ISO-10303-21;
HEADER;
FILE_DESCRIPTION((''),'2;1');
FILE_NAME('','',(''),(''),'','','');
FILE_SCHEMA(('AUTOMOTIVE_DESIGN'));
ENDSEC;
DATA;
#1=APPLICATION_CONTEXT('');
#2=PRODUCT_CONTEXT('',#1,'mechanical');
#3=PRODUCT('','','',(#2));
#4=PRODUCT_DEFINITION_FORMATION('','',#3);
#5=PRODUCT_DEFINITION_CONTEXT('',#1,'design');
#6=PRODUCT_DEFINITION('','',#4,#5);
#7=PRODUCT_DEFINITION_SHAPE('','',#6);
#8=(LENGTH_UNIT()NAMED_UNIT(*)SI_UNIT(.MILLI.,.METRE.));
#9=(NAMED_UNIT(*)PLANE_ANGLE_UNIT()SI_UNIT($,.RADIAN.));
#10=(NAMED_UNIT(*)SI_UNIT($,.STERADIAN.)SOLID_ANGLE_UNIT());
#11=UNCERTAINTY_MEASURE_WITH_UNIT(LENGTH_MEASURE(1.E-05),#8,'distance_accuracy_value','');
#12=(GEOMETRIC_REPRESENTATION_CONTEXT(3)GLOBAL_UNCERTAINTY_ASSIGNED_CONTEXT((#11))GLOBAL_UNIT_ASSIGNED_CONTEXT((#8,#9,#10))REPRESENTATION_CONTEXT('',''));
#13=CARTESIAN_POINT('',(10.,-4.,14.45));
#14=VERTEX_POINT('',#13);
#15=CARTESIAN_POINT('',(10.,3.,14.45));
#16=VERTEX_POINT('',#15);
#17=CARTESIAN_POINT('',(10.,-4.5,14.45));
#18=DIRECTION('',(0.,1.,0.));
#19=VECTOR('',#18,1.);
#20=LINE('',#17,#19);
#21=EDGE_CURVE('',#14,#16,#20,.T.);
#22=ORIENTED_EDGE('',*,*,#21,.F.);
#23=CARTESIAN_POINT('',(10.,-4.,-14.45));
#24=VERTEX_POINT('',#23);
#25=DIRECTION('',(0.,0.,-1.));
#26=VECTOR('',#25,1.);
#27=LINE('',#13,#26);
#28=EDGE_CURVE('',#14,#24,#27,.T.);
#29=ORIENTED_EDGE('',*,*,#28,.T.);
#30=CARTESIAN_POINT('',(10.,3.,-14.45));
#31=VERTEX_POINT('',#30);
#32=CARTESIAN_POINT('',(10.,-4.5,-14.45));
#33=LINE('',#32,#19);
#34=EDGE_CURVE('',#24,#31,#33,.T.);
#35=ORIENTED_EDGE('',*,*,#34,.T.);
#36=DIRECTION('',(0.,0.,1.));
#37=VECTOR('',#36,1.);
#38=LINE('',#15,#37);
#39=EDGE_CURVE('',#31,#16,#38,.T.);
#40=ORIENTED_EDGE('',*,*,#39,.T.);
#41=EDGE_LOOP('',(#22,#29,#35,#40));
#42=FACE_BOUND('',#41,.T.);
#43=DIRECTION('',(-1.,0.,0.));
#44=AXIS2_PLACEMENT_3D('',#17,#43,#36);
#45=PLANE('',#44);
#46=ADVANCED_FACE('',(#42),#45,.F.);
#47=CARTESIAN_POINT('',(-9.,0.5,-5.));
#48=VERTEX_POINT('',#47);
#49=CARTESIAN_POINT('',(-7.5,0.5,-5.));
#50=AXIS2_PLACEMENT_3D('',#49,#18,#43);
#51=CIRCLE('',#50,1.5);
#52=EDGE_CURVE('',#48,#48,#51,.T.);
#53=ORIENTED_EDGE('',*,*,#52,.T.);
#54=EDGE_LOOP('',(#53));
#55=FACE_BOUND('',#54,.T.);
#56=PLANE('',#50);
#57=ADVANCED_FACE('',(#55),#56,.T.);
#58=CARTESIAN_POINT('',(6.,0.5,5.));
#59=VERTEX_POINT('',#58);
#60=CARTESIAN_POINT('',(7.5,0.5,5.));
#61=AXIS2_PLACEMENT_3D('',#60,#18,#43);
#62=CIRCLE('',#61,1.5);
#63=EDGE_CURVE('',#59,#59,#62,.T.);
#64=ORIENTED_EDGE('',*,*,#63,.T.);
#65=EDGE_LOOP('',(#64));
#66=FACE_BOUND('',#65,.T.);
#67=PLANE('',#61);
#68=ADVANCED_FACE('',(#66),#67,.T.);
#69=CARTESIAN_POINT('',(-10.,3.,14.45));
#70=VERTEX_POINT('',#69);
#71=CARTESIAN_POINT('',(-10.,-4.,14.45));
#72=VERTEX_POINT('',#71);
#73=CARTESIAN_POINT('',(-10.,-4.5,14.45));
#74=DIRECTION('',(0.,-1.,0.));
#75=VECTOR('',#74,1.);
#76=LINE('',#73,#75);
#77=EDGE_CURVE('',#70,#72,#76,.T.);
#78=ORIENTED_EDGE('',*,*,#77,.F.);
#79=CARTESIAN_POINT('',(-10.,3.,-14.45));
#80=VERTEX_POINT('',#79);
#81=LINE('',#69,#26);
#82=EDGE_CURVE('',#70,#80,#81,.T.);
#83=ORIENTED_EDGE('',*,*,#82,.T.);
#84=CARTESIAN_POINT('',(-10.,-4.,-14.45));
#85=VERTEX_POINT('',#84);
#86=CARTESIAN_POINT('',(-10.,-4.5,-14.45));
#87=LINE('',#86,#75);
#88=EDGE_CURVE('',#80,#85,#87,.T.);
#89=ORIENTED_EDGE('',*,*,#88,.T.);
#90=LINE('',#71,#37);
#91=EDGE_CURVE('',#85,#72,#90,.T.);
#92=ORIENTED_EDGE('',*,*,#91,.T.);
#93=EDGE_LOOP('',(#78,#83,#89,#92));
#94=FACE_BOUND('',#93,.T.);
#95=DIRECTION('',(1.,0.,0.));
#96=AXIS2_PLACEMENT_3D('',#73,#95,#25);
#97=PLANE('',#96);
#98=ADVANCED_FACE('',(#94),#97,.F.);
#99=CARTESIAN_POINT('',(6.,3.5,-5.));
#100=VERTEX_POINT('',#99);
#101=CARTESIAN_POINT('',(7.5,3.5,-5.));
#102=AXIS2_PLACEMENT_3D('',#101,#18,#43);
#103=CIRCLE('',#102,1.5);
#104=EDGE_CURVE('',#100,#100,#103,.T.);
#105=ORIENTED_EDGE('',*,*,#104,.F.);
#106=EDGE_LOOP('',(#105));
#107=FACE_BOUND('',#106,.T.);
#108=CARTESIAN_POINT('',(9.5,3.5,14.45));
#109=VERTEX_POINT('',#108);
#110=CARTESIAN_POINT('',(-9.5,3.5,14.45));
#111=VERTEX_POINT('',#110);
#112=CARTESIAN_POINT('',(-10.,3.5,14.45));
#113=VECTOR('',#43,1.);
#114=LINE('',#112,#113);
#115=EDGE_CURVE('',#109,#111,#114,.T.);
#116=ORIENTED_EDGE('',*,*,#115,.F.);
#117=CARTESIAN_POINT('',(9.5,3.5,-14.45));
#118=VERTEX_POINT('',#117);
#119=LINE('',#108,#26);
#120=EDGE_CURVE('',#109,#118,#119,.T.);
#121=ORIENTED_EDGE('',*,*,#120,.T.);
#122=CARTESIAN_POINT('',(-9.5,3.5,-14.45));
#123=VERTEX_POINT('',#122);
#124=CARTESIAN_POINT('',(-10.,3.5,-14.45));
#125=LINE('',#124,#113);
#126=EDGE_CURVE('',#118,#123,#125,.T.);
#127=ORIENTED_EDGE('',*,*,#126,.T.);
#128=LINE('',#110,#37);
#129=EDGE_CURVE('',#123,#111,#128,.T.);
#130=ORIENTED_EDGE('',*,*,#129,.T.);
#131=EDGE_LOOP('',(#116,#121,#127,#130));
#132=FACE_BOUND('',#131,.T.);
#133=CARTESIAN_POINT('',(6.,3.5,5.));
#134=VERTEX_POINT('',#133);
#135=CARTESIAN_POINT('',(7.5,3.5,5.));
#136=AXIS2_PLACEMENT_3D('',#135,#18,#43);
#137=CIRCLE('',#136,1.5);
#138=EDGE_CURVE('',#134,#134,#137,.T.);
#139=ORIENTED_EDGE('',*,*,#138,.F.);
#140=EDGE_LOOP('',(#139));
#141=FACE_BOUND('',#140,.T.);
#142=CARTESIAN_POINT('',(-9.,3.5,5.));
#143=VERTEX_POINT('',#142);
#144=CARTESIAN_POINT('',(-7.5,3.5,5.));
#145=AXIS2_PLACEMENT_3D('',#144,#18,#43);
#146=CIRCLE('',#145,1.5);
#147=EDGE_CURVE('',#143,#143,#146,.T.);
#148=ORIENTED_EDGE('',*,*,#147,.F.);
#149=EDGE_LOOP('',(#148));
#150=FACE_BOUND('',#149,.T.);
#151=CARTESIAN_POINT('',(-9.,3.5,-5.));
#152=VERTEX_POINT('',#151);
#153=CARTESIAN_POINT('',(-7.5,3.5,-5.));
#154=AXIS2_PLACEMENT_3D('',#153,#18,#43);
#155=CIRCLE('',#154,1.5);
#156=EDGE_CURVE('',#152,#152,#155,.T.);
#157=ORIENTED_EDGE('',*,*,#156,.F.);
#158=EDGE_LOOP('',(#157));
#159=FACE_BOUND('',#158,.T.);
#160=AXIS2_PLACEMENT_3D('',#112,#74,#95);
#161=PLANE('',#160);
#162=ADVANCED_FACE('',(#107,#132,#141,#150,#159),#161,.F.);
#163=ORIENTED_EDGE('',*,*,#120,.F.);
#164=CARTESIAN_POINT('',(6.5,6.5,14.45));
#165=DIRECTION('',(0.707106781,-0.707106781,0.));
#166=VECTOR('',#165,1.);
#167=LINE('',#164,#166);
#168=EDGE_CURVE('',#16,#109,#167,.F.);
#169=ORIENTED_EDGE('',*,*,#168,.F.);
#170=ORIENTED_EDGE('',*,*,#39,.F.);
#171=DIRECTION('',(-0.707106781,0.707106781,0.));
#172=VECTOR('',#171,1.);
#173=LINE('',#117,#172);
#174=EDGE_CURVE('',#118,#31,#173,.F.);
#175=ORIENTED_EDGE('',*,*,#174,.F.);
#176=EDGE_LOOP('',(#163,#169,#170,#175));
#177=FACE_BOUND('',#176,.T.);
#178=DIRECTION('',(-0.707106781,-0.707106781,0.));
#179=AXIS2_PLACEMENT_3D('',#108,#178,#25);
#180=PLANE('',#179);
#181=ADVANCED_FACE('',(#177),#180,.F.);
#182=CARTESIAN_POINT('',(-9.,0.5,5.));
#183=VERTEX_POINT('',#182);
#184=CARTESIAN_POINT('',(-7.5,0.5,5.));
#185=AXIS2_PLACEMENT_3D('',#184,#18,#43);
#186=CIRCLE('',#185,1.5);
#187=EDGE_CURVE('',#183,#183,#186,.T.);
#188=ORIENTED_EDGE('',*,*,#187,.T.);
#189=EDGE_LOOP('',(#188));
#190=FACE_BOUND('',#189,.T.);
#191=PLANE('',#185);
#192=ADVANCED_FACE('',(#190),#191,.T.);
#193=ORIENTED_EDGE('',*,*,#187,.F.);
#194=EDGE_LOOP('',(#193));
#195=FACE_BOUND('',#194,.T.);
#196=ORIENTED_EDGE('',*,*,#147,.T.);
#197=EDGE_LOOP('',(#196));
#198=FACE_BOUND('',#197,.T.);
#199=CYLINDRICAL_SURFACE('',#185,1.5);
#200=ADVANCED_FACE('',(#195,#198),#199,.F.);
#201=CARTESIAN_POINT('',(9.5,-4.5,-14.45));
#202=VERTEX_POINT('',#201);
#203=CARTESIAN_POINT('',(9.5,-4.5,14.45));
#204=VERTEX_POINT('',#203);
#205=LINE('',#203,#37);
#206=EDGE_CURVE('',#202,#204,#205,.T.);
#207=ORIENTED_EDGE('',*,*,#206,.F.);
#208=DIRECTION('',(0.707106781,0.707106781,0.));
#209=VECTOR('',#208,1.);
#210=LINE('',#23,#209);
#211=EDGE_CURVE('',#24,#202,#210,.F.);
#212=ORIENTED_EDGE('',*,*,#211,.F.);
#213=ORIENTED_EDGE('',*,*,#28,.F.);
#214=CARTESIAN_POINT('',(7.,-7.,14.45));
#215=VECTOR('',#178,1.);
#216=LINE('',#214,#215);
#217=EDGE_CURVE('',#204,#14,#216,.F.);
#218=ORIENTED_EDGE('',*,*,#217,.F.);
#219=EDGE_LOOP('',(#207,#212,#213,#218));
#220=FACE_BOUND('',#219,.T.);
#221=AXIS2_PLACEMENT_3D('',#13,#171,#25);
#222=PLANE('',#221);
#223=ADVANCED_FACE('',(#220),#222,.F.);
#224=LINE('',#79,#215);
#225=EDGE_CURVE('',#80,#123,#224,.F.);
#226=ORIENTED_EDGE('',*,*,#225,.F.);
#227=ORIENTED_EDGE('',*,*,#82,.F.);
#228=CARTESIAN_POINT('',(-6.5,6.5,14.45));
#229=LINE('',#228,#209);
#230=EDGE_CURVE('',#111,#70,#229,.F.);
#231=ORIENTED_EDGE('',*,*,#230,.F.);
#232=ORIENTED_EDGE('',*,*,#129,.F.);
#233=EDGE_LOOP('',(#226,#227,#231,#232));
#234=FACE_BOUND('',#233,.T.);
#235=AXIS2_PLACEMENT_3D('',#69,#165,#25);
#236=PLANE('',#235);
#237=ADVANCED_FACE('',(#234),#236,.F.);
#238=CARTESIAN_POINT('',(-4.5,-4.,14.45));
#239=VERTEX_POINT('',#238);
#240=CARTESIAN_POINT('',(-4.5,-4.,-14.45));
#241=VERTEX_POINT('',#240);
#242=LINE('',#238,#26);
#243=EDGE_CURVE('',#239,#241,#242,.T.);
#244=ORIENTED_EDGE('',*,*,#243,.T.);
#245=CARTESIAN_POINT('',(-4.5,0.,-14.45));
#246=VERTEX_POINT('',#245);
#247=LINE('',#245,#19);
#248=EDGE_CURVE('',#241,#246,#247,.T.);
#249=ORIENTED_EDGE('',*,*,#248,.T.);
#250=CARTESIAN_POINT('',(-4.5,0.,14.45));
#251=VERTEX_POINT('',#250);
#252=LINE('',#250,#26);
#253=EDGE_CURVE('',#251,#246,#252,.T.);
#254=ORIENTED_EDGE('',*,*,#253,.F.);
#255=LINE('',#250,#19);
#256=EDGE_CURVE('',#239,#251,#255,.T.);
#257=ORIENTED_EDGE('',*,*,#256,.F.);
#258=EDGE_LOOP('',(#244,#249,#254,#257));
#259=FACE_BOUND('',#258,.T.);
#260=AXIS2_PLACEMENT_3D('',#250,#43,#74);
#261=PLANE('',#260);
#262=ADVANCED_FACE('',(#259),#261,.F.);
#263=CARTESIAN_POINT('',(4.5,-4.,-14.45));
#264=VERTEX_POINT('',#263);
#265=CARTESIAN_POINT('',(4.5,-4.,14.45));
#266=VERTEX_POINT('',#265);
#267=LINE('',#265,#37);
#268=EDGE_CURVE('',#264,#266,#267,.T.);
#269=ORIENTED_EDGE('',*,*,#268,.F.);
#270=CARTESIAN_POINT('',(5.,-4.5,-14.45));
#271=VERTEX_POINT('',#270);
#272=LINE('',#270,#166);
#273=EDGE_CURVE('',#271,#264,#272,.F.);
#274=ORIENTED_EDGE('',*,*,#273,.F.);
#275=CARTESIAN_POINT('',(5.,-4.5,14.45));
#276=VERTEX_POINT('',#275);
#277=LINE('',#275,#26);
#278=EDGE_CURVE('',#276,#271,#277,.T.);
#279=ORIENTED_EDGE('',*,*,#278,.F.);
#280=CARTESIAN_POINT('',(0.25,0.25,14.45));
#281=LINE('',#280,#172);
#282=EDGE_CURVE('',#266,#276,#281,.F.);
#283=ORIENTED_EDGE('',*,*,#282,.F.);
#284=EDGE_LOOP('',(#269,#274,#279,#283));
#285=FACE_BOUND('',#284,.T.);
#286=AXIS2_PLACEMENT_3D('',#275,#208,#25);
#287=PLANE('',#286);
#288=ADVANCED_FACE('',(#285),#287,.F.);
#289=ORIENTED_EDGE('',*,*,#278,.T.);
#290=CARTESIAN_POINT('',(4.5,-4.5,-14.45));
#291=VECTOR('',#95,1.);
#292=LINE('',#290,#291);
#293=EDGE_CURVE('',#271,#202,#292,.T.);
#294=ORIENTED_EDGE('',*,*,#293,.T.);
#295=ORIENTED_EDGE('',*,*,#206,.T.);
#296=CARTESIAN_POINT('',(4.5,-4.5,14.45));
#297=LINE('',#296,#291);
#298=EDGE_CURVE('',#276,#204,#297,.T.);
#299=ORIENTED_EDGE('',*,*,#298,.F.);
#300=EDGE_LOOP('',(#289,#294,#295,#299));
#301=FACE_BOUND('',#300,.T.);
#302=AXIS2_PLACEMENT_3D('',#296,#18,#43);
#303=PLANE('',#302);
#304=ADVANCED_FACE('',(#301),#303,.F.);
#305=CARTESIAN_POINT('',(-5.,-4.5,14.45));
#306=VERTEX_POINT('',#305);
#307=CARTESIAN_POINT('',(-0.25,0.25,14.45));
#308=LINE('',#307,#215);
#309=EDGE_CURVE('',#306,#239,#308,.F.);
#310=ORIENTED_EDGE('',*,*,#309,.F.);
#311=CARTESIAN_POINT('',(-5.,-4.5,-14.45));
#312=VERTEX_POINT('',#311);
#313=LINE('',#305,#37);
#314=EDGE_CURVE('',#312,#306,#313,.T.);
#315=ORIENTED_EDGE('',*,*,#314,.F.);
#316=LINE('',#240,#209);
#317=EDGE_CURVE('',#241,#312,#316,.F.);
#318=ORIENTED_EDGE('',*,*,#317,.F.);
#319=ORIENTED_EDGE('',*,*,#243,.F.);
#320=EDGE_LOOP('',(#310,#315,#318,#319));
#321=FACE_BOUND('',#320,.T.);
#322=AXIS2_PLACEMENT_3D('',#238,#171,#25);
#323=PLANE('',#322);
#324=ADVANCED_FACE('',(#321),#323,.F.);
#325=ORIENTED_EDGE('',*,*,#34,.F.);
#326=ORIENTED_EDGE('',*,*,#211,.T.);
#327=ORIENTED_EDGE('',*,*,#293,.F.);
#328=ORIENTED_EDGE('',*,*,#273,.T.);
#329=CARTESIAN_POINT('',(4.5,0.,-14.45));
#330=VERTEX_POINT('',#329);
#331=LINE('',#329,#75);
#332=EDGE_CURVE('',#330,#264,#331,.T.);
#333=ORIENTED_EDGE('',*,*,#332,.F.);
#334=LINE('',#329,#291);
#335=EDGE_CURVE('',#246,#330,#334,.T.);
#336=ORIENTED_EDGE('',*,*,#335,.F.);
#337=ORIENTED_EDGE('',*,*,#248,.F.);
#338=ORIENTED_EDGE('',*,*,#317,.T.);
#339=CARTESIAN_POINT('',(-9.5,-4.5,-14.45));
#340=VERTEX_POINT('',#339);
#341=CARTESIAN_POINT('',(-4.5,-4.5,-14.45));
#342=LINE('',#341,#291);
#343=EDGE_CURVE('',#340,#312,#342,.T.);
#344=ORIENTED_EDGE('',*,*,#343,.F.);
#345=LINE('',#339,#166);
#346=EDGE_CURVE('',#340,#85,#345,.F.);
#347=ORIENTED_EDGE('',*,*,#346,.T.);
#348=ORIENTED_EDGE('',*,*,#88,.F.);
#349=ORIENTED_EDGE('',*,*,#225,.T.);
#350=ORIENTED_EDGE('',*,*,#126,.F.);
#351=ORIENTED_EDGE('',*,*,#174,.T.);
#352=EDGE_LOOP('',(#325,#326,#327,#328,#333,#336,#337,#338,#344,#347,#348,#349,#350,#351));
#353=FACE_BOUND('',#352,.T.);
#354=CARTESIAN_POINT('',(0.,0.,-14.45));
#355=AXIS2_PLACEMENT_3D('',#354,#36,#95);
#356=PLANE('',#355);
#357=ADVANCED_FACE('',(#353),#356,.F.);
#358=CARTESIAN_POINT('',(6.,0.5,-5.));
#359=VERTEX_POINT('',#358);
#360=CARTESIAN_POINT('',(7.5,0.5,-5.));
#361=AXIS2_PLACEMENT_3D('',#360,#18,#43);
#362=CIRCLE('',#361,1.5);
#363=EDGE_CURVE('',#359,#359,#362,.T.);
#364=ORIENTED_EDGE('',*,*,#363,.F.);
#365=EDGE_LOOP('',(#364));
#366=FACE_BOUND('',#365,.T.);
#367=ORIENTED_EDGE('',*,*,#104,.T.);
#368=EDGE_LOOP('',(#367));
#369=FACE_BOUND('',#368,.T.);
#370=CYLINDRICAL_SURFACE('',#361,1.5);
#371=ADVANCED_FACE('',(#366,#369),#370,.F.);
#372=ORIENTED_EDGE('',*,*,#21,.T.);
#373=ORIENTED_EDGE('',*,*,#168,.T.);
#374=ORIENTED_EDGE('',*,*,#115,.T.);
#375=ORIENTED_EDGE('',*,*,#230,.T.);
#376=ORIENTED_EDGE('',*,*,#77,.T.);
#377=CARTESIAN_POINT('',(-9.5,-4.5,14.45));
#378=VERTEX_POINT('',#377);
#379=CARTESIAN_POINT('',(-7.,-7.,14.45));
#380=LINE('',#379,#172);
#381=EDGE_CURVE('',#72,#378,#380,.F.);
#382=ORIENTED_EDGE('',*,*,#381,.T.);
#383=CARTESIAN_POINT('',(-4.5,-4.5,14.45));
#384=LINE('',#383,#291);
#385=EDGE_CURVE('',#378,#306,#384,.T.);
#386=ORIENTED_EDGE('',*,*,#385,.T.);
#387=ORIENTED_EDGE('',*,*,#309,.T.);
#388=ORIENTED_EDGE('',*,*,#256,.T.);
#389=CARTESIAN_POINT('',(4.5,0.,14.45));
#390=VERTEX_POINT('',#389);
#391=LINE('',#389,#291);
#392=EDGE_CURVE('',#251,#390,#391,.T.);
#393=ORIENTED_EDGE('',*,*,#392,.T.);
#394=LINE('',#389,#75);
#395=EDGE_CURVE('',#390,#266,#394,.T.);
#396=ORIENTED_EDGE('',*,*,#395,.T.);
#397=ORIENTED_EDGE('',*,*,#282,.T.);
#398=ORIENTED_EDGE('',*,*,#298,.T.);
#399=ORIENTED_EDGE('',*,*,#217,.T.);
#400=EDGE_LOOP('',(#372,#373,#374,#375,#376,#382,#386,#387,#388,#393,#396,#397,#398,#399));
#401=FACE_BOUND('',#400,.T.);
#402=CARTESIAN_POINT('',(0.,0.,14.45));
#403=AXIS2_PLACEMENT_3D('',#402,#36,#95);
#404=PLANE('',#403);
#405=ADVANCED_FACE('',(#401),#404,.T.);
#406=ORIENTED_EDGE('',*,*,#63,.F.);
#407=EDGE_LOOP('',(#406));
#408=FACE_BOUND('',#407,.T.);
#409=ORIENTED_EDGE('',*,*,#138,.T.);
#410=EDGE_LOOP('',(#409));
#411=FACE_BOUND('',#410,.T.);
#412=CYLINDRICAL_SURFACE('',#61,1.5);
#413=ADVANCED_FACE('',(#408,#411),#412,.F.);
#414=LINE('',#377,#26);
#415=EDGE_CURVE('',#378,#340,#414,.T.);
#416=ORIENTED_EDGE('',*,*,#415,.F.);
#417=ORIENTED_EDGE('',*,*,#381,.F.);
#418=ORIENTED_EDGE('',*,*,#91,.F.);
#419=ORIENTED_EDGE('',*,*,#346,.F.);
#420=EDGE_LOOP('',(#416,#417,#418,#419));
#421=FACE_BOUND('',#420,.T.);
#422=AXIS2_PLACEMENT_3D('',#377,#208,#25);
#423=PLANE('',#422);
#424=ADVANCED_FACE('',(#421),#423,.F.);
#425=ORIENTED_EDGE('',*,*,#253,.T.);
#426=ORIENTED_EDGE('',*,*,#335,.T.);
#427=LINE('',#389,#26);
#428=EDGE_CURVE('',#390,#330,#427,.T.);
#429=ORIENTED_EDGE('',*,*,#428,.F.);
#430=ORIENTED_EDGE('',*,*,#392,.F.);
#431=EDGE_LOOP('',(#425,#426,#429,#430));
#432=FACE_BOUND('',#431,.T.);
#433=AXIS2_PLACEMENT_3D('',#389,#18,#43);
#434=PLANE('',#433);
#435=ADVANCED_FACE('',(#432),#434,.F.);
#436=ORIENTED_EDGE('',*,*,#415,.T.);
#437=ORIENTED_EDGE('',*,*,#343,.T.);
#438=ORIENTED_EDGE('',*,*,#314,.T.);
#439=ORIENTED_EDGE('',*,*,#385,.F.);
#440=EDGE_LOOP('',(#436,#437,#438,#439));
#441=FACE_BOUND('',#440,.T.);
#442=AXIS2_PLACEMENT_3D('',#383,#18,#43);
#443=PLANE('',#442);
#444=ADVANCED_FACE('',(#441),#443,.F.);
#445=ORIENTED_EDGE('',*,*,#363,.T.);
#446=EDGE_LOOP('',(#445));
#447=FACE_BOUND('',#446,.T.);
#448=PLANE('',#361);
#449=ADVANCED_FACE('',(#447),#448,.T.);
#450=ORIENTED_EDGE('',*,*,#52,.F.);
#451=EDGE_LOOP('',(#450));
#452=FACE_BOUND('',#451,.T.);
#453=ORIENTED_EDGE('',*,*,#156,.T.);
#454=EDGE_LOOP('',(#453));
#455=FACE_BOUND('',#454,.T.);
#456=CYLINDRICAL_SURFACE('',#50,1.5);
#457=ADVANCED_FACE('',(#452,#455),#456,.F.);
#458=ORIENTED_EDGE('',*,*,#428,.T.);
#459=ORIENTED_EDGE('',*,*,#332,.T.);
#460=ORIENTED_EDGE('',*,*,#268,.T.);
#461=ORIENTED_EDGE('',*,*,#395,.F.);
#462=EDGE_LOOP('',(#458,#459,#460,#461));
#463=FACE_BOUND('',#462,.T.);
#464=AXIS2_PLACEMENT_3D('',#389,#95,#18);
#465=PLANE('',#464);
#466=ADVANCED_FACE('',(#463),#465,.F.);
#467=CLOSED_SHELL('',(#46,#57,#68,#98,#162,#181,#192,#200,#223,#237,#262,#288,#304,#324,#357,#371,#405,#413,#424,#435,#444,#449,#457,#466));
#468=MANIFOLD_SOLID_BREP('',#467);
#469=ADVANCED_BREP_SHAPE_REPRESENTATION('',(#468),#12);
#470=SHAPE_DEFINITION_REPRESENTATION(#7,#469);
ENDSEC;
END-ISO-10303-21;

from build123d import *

# Parameters (mm, degrees)
EXTRUDE_1_DEPTH     = 14.45
SKETCH_2_R          = 1.5
CUT_EXTRUDE_1_DEPTH = 3
CHAMFER_1_SIZE      = 0.5


with BuildPart() as part:
    # 草图1 → 凸台-拉伸1 (new, symmetric)
    with BuildSketch(Plane.XY):
        Polygon((-4.5, 0), (-4.5, -4.5), (-10, -4.5), (-10, 3.5), (10, 3.5), (10, -4.5), (4.5, -4.5), (4.5, 0), align=None)
    extrude(amount=EXTRUDE_1_DEPTH, both=True)

    # 草图2 → 切除-拉伸1 (cut)
    with BuildSketch(Plane(origin=(0, 3.5, 0), x_dir=(1, 0, 0), z_dir=(0, 1, 0))):
        with Locations(Location((-7.5, 5, 0), (0, 0, 180))):
            Circle(SKETCH_2_R)
        with Locations(Location((7.5, 5, 0), (0, 0, 180))):
            Circle(SKETCH_2_R)
        with Locations(Location((-7.5, -5, 0), (0, 0, 180))):
            Circle(SKETCH_2_R)
        with Locations(Location((7.5, -5, 0), (0, 0, 180))):
            Circle(SKETCH_2_R)
    extrude(amount=-CUT_EXTRUDE_1_DEPTH, mode=Mode.SUBTRACT)

    # 倒角1
    chamfer_1_edges = [part.edges().sort_by_distance(p)[0] for p in [
        (-4.5, -4.5, 0),
        (-10, -4.5, 0),
        (-10, 3.5, 0),
        (10, 3.5, 0),
        (10, -4.5, 0),
        (4.5, -4.5, 0),
    ]]
    chamfer(chamfer_1_edges, length=CHAMFER_1_SIZE)


solid = part.part
